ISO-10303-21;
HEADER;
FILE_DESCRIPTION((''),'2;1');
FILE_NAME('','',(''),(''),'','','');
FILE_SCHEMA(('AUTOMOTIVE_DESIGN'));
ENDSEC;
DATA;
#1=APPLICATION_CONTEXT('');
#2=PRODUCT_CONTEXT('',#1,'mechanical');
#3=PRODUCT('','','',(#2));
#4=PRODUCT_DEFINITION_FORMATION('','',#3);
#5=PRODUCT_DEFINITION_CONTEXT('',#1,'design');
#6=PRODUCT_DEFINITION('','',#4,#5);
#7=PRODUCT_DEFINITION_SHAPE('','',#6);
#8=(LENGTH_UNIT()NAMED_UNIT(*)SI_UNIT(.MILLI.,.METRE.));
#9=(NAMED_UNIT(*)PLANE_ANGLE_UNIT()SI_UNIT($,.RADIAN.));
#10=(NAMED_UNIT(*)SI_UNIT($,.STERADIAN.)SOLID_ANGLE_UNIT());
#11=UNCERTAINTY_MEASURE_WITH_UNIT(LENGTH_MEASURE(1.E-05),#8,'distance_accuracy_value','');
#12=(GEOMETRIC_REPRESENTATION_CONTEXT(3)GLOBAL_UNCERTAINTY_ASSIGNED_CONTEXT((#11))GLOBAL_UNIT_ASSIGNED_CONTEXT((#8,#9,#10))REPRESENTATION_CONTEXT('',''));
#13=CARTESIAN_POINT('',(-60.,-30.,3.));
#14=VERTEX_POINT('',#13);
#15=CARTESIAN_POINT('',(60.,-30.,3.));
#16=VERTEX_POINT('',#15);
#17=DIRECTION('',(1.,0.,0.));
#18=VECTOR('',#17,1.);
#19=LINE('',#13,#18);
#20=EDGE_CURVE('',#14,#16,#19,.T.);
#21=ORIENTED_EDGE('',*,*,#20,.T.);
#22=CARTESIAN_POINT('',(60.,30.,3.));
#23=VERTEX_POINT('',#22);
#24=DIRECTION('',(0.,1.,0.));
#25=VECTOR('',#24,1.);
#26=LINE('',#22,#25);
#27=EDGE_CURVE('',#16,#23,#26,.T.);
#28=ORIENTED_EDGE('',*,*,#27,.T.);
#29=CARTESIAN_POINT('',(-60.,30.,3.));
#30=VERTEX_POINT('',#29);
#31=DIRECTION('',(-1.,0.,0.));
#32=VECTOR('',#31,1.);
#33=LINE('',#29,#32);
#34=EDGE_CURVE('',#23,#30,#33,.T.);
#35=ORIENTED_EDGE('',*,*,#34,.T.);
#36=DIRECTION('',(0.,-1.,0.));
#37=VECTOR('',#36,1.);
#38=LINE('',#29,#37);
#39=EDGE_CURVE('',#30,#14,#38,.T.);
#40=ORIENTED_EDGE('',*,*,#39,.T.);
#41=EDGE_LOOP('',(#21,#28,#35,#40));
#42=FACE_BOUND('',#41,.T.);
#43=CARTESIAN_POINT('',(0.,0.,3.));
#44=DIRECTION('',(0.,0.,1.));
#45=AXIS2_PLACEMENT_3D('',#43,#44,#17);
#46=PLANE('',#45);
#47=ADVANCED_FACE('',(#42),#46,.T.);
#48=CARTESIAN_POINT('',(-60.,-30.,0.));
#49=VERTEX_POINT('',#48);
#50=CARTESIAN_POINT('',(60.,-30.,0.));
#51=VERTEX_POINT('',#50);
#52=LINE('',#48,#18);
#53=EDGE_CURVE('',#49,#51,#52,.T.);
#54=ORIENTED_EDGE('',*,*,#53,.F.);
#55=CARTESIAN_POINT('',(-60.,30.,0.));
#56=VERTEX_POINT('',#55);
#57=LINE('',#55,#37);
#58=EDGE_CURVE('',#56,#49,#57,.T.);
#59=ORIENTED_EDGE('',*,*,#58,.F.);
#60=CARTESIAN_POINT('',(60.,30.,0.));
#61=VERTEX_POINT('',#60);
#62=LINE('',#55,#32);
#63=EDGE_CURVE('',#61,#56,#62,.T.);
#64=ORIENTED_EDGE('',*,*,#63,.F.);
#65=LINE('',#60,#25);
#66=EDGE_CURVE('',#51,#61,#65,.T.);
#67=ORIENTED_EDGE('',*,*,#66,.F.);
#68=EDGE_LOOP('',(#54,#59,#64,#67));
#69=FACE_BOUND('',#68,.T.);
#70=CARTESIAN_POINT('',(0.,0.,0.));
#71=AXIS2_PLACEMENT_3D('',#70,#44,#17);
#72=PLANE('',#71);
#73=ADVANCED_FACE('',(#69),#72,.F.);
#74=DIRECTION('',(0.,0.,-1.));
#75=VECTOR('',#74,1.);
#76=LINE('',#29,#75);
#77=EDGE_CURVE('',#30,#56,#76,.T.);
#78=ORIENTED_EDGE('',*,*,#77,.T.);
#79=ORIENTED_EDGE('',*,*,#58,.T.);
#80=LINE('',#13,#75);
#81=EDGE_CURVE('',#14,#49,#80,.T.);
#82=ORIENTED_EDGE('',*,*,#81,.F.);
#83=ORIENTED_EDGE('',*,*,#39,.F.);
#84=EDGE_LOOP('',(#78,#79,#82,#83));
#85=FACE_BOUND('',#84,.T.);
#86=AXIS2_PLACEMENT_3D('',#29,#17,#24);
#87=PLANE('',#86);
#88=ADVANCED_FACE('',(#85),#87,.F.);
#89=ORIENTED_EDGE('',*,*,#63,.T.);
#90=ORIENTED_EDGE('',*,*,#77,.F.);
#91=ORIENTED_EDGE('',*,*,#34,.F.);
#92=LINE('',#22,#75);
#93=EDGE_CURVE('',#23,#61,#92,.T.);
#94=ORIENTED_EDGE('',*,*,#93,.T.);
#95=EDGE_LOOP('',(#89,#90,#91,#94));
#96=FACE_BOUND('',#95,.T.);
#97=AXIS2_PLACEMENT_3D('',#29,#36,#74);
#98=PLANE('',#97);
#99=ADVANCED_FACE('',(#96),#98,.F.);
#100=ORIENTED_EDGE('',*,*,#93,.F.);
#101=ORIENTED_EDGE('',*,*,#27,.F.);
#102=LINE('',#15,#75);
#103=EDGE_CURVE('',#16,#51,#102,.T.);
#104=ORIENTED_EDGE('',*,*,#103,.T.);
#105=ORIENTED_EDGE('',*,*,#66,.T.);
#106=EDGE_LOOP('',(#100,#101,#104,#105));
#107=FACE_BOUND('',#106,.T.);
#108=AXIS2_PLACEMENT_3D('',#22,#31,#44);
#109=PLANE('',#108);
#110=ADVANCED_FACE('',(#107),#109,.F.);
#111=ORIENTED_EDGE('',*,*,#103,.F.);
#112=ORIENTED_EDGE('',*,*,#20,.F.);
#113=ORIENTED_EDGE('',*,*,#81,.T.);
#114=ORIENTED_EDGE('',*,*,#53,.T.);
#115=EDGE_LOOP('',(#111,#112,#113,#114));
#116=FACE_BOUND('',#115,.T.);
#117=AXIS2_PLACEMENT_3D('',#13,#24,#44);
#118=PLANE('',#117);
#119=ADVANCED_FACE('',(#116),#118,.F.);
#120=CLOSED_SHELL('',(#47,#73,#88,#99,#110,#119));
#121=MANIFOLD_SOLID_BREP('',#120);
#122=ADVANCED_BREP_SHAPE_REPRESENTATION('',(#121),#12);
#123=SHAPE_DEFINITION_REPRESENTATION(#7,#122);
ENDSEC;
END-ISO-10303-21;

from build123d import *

# Parameters (mm, degrees)
CROQUIS1_W              = 120
CROQUIS1_H              = 60
SALIENTE_EXTRUIR1_DEPTH = 3


with BuildPart() as part:
    # Croquis1 → Saliente-Extruir1 (new body)
    with BuildSketch(Plane.XY):
        Rectangle(CROQUIS1_W, CROQUIS1_H)
    extrude(amount=SALIENTE_EXTRUIR1_DEPTH)


solid = part.part
